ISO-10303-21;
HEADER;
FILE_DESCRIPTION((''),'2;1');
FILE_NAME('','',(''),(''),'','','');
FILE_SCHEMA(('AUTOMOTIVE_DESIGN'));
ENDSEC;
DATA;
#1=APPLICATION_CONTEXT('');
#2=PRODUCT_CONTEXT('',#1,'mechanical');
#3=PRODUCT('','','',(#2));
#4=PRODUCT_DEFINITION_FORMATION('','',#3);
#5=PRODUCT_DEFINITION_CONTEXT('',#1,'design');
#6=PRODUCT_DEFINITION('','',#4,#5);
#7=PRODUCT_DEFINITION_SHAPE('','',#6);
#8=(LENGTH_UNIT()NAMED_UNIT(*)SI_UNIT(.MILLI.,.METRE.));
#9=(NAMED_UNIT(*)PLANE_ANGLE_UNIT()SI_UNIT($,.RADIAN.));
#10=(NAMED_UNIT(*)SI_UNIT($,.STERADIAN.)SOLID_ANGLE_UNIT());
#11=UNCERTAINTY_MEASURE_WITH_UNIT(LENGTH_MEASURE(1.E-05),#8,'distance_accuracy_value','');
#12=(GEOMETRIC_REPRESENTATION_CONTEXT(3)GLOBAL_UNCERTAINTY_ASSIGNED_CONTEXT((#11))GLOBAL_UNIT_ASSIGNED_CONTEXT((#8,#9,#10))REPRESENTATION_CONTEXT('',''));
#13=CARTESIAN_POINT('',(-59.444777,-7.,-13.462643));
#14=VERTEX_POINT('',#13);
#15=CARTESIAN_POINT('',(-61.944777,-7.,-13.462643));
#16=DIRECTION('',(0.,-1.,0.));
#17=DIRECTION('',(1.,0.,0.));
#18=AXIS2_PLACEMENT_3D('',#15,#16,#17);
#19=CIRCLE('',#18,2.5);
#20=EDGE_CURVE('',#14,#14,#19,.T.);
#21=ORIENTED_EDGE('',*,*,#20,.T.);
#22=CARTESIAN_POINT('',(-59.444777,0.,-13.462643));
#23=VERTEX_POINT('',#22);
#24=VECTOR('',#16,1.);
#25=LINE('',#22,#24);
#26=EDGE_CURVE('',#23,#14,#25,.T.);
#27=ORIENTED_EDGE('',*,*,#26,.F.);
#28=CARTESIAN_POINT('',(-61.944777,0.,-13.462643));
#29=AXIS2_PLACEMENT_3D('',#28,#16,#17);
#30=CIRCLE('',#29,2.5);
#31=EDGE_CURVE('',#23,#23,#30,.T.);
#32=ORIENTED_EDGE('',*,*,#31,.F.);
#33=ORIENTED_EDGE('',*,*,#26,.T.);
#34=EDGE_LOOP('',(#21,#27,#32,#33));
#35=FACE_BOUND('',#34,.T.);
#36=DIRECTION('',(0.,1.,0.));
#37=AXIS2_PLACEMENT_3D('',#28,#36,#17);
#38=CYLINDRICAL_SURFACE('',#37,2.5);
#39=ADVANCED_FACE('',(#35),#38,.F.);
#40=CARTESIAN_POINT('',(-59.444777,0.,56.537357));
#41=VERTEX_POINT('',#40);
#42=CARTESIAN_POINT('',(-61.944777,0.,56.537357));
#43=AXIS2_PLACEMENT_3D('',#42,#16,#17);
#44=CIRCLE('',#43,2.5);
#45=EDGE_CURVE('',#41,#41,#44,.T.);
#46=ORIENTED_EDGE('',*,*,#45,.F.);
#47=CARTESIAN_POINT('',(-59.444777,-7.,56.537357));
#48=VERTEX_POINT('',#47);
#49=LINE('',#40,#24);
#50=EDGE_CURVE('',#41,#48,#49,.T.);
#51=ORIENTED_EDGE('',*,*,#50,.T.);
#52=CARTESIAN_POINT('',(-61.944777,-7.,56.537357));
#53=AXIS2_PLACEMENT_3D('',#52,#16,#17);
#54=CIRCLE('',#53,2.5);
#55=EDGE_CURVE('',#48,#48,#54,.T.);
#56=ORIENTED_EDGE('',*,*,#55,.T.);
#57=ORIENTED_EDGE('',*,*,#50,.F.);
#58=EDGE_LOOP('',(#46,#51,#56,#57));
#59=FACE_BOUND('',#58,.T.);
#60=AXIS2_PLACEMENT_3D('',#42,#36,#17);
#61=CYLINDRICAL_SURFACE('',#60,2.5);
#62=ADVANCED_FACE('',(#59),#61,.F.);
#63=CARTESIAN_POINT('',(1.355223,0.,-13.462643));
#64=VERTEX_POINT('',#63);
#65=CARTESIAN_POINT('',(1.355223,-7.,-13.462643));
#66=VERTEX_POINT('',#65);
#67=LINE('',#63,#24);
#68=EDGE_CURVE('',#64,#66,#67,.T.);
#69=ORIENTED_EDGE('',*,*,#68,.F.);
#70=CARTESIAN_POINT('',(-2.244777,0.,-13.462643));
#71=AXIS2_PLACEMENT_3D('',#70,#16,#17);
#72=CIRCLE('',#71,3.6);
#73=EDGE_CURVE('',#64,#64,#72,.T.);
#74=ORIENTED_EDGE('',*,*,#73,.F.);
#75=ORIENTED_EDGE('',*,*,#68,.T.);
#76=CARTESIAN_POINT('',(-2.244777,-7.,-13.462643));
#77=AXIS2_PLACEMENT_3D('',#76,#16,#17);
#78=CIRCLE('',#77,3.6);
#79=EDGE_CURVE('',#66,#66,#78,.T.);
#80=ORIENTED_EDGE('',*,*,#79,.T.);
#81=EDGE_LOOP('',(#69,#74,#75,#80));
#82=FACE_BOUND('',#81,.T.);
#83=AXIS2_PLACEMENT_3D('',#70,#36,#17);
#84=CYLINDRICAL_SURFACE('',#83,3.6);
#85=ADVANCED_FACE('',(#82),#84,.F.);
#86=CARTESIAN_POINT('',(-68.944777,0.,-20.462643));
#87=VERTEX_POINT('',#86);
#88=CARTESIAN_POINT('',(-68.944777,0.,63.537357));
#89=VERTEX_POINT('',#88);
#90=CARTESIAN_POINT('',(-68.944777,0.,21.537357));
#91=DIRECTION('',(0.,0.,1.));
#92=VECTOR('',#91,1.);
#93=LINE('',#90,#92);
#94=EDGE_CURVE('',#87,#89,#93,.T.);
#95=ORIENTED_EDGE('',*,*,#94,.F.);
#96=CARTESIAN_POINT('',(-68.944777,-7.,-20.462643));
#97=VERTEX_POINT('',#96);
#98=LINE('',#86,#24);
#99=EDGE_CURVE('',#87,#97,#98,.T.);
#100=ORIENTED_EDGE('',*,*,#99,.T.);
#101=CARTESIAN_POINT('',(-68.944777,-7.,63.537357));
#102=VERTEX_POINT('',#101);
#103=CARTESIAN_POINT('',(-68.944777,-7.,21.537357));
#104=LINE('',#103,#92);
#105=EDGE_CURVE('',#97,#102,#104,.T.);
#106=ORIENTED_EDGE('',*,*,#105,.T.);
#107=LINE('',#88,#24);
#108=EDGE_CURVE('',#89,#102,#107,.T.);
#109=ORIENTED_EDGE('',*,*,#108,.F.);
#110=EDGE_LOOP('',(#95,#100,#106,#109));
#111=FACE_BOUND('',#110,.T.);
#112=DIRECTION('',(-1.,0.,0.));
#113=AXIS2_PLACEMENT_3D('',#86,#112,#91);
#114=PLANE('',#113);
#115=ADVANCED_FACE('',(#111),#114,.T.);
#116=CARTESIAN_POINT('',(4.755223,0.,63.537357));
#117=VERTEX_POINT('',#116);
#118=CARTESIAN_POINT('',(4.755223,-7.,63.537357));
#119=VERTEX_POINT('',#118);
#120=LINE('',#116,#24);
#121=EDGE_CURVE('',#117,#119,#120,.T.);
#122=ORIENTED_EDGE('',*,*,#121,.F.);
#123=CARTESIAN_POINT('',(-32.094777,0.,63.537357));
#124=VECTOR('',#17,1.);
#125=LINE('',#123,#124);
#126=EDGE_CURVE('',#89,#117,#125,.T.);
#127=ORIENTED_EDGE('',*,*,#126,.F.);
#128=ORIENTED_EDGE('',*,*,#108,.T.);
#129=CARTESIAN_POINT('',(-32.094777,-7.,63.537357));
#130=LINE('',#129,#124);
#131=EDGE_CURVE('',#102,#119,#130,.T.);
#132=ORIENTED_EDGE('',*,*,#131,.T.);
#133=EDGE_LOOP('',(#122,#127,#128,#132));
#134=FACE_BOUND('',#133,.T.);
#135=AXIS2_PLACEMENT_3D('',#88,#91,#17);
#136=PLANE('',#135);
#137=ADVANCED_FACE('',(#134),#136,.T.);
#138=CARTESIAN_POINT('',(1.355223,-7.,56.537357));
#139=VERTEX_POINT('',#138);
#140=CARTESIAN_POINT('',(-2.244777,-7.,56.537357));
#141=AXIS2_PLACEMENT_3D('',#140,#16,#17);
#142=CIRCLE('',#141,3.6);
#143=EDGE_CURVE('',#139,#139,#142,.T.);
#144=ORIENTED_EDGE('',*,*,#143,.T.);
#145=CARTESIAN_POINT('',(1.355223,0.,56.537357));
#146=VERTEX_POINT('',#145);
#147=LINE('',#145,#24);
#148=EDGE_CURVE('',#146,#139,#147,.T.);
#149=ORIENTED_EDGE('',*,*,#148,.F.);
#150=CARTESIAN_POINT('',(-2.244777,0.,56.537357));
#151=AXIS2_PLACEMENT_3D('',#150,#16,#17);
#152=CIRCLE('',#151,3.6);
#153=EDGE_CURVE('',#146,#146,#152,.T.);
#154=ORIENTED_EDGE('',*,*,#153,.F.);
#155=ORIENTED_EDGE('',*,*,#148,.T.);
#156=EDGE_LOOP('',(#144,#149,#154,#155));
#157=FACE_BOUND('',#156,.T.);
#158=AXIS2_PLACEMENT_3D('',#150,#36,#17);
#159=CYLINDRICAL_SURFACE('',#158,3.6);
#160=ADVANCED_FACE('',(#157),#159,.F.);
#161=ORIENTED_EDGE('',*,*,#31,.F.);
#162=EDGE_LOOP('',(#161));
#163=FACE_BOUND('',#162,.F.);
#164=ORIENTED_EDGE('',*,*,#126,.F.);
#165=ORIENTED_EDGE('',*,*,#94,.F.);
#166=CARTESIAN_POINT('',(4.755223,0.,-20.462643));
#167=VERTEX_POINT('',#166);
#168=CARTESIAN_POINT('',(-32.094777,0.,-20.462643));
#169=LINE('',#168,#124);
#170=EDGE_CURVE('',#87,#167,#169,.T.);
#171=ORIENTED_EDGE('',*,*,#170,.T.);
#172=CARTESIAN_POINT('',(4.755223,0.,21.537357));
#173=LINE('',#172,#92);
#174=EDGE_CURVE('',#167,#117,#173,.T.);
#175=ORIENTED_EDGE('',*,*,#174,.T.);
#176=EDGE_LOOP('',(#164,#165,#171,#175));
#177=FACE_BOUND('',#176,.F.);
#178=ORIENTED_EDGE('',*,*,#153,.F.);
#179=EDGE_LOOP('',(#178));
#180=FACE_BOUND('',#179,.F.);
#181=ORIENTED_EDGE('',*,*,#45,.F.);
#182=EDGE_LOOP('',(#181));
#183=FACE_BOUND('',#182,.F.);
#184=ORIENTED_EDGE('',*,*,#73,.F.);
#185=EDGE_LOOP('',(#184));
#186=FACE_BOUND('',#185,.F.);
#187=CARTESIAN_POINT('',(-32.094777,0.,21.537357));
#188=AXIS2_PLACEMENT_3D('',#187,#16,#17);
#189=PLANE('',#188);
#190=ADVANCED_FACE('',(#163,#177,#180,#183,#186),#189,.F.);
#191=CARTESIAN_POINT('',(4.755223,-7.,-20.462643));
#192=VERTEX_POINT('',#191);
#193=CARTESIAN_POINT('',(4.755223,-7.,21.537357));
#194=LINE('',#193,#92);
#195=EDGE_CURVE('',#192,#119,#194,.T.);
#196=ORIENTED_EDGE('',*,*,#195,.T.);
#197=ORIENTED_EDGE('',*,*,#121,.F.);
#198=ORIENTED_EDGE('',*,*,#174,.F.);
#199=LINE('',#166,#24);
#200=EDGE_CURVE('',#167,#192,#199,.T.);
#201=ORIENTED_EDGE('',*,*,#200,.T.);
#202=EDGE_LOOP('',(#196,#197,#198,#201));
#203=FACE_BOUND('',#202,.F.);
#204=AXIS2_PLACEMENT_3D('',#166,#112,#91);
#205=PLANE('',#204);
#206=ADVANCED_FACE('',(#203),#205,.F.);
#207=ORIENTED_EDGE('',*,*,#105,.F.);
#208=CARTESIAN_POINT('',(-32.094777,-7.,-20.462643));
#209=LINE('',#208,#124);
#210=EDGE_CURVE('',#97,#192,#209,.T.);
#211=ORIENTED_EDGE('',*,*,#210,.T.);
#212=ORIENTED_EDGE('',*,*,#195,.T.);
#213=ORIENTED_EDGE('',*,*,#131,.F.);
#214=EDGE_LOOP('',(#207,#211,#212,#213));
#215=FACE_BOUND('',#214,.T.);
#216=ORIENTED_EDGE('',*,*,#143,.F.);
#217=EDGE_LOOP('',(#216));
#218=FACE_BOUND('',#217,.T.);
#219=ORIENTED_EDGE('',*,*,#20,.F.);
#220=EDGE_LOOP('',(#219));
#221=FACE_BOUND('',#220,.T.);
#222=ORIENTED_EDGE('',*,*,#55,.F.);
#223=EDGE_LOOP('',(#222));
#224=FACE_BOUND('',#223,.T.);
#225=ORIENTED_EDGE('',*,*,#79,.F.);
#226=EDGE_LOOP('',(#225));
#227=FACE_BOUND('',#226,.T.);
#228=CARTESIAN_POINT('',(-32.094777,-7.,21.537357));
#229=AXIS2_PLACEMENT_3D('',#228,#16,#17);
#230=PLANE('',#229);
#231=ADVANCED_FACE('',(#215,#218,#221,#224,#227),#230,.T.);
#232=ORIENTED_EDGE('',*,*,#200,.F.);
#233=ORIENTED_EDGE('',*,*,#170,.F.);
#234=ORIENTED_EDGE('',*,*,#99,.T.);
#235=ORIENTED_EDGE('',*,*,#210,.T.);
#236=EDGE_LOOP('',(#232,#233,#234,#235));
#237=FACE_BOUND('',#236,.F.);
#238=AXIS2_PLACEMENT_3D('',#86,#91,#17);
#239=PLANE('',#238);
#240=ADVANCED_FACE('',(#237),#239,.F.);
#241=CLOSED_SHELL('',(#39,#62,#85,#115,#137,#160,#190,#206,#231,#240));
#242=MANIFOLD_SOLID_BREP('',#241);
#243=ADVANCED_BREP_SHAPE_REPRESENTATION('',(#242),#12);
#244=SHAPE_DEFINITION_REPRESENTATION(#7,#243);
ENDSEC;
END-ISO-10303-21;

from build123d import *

# Parameters (mm, degrees)
F0_W     = 73.7
F0_H     = 84
F0_R     = 2.5
F0_R_2   = 3.6
F1_DEPTH = 7


with BuildPart() as f1:
    # F0 (on Front) → F1 (new body)
    with BuildSketch(Plane.XZ):
        with Locations((-32.094777, 21.537357)):
            Rectangle(F0_W, F0_H)
        with Locations((-61.944777, -13.462643)):
            Circle(F0_R, mode=Mode.SUBTRACT)
        with Locations((-2.244777, -13.462643)):
            Circle(F0_R_2, mode=Mode.SUBTRACT)
        with Locations((-61.944777, 56.537357)):
            Circle(F0_R, mode=Mode.SUBTRACT)
        with Locations((-2.244777, 56.537357)):
            Circle(F0_R_2, mode=Mode.SUBTRACT)
    extrude(amount=F1_DEPTH)


solid = f1.part
